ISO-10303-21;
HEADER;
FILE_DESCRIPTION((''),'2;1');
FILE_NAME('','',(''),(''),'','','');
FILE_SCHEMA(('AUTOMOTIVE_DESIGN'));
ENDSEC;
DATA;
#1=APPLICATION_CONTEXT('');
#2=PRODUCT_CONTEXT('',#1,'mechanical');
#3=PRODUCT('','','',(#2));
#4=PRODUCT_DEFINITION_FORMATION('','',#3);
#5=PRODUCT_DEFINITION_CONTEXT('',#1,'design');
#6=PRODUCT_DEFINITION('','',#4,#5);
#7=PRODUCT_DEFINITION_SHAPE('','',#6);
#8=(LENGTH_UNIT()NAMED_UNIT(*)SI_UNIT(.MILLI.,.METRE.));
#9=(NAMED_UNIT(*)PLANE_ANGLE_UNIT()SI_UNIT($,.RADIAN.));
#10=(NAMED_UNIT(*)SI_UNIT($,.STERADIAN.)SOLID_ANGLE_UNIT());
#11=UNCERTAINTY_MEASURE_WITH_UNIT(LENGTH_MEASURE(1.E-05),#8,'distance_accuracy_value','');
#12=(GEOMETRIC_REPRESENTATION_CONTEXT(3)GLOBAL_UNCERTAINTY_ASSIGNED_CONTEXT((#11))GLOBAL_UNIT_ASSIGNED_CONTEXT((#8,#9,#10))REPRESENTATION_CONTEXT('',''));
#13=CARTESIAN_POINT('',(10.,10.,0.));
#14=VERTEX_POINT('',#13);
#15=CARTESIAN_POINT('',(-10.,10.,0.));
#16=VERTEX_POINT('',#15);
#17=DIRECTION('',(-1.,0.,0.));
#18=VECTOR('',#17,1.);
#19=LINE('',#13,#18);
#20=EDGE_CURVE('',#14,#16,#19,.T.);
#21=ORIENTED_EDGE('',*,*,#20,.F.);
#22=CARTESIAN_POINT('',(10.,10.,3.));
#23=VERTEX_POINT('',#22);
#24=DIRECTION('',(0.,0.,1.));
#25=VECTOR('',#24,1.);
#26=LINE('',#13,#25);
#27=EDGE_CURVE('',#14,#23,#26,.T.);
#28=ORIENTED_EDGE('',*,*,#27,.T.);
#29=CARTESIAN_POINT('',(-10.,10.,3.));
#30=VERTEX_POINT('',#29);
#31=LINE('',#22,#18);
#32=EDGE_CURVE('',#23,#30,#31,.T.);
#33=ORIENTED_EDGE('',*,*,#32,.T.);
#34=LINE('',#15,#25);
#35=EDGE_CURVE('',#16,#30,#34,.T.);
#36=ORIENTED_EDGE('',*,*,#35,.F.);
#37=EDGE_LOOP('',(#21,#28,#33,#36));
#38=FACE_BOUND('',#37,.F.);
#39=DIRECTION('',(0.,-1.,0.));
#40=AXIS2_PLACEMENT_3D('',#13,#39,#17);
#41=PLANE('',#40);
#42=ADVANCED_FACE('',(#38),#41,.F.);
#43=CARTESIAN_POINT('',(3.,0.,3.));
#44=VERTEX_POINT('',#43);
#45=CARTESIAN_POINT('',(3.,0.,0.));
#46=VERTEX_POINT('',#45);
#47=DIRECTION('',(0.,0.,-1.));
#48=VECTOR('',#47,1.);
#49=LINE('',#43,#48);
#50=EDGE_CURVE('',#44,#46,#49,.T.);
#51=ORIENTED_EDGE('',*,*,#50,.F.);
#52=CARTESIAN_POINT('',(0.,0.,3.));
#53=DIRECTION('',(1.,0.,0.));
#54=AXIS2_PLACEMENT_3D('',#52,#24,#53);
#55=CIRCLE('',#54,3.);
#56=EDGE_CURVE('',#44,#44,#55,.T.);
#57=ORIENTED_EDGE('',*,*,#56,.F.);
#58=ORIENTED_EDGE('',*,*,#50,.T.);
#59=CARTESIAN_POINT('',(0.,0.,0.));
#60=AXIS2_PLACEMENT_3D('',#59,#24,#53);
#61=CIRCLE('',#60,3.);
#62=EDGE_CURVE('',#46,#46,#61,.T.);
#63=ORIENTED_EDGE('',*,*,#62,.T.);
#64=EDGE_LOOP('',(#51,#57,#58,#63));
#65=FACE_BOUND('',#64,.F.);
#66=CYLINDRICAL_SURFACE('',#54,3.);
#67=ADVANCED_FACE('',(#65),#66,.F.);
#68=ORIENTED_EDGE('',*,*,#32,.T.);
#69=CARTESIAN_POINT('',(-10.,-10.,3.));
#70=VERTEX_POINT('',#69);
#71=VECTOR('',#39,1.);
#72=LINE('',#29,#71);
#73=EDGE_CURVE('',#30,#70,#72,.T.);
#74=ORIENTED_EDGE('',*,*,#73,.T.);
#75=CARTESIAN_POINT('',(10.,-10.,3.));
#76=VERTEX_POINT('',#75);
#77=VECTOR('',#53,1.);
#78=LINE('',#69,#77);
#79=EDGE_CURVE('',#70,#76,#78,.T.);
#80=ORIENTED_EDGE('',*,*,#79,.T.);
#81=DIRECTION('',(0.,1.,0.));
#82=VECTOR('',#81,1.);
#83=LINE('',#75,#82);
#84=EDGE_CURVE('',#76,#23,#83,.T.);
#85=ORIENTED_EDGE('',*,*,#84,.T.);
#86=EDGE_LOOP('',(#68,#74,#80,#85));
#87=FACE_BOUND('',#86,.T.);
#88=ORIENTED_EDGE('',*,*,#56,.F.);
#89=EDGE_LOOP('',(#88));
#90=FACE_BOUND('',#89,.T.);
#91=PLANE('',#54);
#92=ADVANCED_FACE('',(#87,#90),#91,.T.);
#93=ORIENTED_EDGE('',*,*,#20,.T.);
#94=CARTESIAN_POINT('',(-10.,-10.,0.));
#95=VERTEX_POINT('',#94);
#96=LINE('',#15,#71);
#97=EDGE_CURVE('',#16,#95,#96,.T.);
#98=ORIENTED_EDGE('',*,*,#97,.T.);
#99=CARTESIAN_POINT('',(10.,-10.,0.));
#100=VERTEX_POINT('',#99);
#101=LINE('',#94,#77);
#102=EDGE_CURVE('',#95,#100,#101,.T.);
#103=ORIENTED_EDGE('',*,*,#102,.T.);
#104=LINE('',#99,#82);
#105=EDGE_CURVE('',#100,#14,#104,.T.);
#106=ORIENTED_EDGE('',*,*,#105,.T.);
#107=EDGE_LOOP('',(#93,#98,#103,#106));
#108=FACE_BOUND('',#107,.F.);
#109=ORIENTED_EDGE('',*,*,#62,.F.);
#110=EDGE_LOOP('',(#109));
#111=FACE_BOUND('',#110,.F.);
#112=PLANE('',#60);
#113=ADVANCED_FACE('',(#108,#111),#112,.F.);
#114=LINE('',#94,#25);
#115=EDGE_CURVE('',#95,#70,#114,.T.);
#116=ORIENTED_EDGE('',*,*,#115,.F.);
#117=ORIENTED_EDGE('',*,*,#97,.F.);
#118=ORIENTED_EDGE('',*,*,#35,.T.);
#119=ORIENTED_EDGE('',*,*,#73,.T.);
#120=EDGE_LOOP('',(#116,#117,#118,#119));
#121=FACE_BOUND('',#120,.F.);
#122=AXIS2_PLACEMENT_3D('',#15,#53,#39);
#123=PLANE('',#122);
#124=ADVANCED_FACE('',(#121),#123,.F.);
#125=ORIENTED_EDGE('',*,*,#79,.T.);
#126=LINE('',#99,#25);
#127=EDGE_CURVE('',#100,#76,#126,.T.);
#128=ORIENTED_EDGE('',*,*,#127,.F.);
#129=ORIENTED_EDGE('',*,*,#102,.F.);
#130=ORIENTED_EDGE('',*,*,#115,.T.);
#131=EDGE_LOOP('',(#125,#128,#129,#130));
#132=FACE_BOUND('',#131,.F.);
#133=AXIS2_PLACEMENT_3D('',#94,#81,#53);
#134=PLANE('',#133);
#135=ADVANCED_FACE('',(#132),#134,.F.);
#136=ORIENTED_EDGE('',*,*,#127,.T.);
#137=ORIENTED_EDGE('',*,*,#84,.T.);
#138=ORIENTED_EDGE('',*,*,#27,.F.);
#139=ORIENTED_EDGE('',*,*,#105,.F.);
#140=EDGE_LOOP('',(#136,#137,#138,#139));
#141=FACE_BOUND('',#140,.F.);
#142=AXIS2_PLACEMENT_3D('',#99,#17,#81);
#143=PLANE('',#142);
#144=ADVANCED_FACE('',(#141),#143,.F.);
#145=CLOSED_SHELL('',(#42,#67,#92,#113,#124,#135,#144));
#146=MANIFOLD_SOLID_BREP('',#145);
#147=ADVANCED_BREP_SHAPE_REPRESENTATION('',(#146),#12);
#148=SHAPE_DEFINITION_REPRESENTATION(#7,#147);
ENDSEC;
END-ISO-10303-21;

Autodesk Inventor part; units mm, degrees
ref_plane "YZ Plane" through (0, 0, 0) normal (1, 0, 0) x (0, 1, 0)
ref_plane "XZ Plane" through (0, 0, 0) normal (0, 1, 0) x (-1, 0, 0)
ref_plane "XY Plane" through (0, 0, 0) normal (0, 0, 1) x (1, 0, 0)
sketch "Sketch66" plane through (0, 0, 0) normal (0, 0, 1) x (1, 0, 0)
  line L0 (-10, -10) -> (10, -10)
  line L1 (10, -10) -> (10, 10)
  line L2 (10, 10) -> (-10, 10)
  line L3 (-10, 10) -> (-10, -10)
  line L4 (-10, -10) -> (10, 10) construction
  line L5 (10, -10) -> (-10, 10) construction
  point P0 (0, 0)
  dimension "d179" = 20
  dimension "d180" = 20
extrude "Extrusion45" add sketch "Sketch66" along normal blind 3
sketch "Sketch67" plane through (0, 0, 3) normal (0, 0, 1) x (1, 0, 0)
  circle A0 centre (0, 0) radius 3
  dimension "d183" = 6
extrude "Extrusion46" cut sketch "Sketch67" against normal blind 3
properties part number "magnet_test_print"
